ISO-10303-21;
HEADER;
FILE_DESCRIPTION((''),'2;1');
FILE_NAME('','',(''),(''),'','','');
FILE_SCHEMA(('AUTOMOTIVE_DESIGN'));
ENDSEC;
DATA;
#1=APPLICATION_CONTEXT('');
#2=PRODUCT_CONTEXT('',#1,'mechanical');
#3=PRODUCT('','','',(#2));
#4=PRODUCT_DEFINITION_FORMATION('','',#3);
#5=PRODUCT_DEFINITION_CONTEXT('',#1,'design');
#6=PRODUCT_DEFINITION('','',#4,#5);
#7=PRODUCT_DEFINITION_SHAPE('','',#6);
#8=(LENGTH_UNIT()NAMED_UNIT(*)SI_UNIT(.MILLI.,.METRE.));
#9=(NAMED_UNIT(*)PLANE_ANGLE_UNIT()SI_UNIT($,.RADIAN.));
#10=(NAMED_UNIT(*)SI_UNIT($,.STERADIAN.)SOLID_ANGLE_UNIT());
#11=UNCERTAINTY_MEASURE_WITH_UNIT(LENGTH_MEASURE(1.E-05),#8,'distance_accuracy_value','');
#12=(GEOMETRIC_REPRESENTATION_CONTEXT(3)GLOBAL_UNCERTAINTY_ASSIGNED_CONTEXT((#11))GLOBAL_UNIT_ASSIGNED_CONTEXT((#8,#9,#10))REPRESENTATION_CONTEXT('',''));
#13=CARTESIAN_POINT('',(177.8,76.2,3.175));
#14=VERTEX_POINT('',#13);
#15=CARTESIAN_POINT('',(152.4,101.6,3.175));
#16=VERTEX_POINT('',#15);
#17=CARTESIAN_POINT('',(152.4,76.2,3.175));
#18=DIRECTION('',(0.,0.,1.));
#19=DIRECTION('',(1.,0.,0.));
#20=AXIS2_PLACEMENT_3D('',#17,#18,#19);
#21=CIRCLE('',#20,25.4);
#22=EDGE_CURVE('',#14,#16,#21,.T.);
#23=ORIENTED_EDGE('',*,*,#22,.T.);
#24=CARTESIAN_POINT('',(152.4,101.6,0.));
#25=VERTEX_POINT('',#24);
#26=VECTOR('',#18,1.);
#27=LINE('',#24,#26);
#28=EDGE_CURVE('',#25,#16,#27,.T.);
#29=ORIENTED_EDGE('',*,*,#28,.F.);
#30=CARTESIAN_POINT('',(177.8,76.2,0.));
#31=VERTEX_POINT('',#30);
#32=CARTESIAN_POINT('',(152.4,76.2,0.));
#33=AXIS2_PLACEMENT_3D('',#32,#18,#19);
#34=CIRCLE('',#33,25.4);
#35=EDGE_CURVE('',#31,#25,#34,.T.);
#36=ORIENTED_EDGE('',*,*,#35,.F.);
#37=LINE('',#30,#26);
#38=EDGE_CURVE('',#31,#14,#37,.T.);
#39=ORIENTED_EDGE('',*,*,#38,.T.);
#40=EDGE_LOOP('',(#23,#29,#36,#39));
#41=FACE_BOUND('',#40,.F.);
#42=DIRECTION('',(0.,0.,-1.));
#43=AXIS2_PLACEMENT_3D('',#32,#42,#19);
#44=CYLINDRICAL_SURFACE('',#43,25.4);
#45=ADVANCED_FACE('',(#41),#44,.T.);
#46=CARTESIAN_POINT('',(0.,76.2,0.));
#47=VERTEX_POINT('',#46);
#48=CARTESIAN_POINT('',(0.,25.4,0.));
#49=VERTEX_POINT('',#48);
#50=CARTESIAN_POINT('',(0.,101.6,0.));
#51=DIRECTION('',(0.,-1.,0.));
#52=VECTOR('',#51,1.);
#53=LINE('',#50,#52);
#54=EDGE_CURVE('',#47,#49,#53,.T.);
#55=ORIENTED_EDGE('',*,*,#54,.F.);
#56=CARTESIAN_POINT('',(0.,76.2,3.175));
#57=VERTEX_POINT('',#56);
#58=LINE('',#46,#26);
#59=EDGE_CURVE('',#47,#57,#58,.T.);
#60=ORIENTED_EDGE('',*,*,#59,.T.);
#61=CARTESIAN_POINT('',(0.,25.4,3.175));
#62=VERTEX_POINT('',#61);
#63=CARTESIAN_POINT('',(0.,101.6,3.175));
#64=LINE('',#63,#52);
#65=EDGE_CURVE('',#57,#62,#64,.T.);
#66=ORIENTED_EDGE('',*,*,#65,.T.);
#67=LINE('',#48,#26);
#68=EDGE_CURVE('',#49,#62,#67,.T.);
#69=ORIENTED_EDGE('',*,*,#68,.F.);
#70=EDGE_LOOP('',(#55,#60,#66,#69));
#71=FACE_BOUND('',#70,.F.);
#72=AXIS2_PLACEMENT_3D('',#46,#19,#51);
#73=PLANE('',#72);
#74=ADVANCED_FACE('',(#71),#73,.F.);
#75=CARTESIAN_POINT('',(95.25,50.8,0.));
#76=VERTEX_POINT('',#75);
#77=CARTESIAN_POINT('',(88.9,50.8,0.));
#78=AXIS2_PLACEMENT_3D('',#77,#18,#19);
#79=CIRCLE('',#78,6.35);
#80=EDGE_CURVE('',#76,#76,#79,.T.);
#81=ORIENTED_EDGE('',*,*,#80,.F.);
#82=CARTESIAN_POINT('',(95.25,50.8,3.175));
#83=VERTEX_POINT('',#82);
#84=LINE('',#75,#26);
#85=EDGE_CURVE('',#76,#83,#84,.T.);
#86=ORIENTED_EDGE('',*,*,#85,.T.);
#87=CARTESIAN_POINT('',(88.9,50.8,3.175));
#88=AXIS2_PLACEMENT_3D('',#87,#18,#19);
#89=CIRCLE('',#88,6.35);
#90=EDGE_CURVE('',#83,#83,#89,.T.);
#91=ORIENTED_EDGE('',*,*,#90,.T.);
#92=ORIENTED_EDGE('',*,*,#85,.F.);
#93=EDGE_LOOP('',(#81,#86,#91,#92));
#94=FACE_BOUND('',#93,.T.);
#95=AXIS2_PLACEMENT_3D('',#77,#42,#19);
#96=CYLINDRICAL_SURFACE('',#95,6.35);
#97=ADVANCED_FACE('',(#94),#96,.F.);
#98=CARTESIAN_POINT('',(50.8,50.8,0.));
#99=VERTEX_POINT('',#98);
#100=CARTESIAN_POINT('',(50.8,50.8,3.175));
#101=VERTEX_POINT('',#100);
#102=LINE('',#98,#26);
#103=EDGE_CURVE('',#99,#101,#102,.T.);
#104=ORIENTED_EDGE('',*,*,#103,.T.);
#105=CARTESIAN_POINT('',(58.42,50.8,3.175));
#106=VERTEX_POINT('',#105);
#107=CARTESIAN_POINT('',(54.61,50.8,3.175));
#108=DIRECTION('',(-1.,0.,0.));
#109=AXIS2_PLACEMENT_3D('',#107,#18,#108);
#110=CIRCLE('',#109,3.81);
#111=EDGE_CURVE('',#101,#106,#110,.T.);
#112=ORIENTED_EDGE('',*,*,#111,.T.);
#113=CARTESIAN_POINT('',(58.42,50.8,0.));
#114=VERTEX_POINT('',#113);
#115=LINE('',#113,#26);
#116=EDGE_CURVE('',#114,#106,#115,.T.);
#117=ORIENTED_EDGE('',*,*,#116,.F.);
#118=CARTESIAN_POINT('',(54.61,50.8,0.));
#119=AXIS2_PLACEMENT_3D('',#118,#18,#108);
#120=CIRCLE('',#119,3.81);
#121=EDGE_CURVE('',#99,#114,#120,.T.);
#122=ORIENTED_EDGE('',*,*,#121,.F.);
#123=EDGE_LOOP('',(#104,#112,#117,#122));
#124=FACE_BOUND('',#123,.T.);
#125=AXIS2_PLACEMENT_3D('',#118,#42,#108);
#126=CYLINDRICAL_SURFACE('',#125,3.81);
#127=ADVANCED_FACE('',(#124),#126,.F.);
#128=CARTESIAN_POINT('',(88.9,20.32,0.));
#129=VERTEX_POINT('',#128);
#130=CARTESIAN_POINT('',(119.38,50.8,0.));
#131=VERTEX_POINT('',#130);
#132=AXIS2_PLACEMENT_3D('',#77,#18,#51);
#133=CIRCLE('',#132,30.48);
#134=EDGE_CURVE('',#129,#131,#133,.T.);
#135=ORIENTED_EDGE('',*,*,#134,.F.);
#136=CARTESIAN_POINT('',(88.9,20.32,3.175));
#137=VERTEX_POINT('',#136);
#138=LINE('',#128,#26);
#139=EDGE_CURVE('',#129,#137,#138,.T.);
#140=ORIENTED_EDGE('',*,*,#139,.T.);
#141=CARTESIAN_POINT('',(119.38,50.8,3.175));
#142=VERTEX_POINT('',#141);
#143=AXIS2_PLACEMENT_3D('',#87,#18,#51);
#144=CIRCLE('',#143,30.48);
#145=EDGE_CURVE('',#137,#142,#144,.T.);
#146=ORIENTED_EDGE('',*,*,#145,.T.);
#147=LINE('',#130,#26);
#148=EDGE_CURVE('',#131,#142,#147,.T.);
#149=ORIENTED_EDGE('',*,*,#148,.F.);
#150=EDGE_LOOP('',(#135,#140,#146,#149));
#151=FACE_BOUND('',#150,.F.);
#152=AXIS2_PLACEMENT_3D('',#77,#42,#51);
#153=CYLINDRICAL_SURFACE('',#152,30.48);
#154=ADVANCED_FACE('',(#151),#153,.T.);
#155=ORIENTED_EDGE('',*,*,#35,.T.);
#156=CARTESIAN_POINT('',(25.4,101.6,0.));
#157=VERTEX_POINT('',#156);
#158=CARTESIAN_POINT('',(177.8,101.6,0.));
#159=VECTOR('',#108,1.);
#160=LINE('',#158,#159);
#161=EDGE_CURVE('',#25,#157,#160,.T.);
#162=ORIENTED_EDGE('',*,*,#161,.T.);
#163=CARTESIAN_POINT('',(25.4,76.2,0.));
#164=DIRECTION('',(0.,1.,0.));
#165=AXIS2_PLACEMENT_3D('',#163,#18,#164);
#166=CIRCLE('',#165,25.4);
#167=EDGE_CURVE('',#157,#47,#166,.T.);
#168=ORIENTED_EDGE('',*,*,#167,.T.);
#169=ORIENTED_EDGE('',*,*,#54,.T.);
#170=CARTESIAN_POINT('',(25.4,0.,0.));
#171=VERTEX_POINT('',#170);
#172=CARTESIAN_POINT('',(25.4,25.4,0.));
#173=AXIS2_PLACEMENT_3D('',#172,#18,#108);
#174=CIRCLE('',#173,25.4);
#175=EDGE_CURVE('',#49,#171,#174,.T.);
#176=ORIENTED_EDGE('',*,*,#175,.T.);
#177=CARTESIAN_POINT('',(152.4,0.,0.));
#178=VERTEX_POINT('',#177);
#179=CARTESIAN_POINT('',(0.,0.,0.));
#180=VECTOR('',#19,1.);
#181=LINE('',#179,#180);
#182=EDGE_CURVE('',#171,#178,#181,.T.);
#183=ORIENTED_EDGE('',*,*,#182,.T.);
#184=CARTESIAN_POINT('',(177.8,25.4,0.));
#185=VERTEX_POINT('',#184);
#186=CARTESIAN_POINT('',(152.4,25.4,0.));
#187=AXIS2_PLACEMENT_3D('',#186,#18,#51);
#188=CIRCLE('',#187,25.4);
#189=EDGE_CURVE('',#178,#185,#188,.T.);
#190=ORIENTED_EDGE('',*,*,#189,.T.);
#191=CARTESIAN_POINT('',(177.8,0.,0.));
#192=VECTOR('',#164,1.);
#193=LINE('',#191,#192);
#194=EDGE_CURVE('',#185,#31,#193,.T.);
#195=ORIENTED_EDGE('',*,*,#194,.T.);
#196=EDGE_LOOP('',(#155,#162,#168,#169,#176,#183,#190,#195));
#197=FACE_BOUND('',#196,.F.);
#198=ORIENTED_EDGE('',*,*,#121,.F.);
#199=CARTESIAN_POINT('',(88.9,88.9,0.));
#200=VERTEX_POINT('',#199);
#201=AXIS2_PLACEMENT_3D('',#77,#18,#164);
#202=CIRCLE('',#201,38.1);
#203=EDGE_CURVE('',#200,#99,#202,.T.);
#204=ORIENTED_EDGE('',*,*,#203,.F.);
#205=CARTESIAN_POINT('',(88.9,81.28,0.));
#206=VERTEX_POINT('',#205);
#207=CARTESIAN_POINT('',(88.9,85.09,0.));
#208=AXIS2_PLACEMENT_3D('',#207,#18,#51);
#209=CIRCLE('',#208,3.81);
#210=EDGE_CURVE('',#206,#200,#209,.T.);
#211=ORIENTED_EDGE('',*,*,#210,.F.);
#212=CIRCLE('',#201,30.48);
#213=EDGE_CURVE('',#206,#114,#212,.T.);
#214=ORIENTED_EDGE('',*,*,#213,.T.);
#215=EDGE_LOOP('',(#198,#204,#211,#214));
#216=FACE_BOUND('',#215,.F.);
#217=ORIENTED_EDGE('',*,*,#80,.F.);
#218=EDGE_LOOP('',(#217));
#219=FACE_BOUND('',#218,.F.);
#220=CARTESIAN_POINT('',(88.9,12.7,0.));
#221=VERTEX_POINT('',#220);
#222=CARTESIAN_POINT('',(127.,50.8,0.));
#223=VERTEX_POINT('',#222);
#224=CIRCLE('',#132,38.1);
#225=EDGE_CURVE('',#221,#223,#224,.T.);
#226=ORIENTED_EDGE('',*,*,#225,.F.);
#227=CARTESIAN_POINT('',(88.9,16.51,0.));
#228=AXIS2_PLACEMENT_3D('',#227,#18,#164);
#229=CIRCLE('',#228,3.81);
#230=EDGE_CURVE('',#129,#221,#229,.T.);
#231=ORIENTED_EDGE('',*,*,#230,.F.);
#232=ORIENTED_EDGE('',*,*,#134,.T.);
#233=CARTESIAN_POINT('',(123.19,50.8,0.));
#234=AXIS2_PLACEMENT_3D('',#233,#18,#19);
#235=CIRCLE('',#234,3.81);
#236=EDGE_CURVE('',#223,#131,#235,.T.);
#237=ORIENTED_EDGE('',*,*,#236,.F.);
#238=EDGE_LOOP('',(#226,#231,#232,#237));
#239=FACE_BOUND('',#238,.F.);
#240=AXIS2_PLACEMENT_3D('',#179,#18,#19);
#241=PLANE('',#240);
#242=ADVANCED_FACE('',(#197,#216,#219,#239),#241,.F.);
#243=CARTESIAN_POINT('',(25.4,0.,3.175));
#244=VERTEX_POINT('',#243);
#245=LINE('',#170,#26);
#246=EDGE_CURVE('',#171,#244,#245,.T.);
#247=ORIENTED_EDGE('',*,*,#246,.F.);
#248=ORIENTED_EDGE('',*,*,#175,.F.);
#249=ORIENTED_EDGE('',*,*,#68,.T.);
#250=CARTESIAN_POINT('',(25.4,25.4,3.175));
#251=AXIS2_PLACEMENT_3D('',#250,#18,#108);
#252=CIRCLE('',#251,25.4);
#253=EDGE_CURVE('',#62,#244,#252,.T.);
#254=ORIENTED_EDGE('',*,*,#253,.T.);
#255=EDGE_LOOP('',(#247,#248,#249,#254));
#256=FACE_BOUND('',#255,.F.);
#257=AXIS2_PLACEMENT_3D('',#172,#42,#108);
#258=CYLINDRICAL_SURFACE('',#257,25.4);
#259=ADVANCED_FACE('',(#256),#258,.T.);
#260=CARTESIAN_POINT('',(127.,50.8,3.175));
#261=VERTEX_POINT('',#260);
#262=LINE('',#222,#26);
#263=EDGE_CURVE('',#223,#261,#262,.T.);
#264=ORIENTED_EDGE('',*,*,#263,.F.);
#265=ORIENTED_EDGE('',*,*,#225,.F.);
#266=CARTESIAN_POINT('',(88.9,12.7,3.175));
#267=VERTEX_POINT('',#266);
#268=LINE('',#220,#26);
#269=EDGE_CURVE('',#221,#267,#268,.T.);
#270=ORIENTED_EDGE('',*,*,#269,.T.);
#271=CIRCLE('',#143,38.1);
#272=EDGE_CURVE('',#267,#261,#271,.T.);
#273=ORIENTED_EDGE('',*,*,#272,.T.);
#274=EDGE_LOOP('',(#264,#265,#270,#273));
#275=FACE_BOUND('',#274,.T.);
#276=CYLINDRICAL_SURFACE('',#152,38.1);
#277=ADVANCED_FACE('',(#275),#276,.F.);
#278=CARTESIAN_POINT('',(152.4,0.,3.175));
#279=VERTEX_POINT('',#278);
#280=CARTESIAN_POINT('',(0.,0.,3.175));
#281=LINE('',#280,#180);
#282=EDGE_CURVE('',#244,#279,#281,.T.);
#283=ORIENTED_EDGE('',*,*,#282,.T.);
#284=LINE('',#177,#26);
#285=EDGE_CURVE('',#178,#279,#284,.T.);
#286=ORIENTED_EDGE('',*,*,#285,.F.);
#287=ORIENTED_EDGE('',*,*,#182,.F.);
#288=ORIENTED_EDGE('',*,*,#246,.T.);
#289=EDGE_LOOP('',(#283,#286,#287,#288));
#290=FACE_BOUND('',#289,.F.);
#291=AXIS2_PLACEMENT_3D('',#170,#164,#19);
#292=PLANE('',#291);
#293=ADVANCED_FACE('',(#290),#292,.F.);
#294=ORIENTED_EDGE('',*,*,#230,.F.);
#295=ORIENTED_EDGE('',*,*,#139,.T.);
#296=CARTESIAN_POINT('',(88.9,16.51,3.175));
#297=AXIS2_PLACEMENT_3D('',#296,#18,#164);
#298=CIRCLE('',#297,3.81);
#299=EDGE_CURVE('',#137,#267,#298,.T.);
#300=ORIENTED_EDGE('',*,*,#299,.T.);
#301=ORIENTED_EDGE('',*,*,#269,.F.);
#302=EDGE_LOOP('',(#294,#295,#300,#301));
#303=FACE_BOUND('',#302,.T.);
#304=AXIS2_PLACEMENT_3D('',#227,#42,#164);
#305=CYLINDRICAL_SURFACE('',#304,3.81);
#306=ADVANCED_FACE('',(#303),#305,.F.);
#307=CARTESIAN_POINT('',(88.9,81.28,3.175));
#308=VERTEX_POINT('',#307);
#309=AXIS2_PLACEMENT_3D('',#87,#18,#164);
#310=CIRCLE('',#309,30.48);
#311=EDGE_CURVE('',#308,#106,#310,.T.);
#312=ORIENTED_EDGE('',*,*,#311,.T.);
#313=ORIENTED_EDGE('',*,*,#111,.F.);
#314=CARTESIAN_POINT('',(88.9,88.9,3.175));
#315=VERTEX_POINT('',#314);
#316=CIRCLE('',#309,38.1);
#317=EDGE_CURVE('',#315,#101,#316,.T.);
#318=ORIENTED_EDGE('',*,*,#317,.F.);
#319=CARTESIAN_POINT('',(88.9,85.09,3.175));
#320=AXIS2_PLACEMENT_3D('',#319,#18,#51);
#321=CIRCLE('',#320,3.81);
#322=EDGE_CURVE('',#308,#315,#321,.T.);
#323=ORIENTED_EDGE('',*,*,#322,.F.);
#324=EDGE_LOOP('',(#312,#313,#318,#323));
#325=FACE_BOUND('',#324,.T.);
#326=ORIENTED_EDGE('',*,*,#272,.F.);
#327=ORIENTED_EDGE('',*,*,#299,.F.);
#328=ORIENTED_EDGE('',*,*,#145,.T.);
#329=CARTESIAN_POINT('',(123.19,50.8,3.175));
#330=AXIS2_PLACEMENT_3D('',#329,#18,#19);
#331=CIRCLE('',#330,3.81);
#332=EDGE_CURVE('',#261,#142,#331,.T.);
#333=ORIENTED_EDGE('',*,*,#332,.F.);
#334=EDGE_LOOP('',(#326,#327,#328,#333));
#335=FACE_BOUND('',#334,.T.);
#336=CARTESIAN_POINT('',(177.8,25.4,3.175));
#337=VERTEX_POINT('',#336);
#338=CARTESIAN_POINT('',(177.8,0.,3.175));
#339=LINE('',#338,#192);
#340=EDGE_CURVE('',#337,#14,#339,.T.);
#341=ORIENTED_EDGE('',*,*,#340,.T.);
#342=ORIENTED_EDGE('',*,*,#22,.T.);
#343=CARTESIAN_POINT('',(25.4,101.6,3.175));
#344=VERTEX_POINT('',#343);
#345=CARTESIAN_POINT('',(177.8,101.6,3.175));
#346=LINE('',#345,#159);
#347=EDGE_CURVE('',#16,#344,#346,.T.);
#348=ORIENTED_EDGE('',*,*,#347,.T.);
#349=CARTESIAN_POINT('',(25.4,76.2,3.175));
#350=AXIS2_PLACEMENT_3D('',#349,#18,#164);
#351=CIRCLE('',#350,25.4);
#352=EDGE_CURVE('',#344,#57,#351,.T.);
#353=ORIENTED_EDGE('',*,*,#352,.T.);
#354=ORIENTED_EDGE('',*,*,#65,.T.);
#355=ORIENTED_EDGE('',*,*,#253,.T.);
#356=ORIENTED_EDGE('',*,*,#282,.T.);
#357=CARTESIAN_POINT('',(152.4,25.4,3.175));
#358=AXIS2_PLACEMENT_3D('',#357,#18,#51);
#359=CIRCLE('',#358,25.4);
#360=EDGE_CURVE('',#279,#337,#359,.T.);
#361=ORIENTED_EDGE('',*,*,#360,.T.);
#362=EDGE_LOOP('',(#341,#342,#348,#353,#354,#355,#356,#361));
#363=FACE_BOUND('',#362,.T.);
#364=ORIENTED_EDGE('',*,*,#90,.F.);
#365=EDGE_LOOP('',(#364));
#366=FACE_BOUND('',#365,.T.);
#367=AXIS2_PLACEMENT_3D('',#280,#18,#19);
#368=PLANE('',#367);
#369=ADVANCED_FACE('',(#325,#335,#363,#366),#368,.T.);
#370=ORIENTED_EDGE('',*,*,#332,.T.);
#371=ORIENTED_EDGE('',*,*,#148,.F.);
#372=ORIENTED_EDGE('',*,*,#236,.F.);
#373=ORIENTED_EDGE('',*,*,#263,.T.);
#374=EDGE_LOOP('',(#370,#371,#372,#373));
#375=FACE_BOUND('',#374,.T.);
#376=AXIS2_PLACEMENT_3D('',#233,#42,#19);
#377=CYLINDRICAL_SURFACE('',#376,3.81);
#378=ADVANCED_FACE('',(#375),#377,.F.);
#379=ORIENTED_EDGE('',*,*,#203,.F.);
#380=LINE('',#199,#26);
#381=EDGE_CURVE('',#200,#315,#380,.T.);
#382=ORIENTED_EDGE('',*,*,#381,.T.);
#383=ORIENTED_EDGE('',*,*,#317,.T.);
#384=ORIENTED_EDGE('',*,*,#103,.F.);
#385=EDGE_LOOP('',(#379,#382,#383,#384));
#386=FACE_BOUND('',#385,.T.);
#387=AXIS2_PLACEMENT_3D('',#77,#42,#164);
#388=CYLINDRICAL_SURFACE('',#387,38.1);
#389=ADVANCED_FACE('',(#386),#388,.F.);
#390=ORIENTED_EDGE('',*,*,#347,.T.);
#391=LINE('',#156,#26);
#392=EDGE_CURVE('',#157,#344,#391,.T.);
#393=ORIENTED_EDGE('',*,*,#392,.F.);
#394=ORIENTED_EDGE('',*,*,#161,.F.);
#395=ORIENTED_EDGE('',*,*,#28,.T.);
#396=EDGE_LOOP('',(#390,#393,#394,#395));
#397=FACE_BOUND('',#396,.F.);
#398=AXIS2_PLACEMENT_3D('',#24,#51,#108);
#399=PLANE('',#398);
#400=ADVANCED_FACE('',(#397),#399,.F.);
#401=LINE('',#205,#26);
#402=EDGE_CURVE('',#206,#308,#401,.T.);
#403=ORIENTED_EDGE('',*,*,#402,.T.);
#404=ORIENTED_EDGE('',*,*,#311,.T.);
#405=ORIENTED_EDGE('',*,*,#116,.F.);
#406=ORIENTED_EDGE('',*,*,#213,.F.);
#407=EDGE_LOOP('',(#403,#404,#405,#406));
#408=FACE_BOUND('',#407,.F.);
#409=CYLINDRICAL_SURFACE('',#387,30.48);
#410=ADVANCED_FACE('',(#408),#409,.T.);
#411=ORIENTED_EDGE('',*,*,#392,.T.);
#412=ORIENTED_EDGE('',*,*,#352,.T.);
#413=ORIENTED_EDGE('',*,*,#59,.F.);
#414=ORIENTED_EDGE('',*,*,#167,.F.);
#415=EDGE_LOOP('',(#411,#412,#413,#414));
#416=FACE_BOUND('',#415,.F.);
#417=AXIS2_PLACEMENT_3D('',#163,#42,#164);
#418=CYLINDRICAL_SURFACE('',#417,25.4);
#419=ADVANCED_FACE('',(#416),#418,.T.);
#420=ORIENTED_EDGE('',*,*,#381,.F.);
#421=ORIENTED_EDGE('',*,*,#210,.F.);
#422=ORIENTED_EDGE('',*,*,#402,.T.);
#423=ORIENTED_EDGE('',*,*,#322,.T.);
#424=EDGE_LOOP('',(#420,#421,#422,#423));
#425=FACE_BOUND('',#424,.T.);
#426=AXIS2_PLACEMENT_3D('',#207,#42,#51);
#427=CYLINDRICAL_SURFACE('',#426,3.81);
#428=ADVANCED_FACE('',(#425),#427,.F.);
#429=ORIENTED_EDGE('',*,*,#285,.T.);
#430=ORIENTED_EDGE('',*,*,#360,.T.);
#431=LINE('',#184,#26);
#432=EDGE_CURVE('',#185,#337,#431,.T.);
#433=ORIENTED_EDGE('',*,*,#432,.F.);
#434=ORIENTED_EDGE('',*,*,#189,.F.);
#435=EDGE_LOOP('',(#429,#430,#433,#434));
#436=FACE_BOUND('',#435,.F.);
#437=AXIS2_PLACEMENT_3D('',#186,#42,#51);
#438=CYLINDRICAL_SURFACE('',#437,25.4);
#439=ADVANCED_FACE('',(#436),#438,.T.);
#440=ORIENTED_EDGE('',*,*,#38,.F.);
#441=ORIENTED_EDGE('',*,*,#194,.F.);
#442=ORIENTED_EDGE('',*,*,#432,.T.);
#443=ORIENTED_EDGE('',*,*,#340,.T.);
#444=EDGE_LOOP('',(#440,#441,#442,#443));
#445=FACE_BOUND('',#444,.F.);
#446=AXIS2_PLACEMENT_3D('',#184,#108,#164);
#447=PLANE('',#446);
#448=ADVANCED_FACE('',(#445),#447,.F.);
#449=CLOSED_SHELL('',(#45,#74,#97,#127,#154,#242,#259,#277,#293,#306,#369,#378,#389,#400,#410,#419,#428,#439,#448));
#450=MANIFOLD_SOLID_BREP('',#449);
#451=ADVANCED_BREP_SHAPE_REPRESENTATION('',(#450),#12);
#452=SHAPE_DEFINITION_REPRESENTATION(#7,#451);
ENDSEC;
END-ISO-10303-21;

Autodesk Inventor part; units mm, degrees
ref_plane "YZ Plane" through (0, 0, 0) normal (1, 0, 0) x (0, 1, 0)
ref_plane "XZ Plane" through (0, 0, 0) normal (0, 1, 0) x (-1, 0, 0)
ref_plane "XY Plane" through (0, 0, 0) normal (0, 0, 1) x (1, 0, 0)
sketch "Sketch1" plane through (0, 0, 0) normal (0, 0, 1) x (1, 0, 0)
  line L0 (0, 0) -> (177.8, 0)
  line L1 (177.8, 0) -> (177.8, 101.6)
  line L2 (177.8, 101.6) -> (0, 101.6)
  line L3 (0, 101.6) -> (0, 0)
  arc A0 (25.4, 101.6) -> (0, 76.2) centre (25.4, 76.2) ccw
  arc A1 (177.8, 76.2) -> (152.4, 101.6) centre (152.4, 76.2) ccw
  arc A2 (152.4, 0) -> (177.8, 25.4) centre (152.4, 25.4) ccw
  arc A3 (0, 25.4) -> (25.4, 0) centre (25.4, 25.4) ccw
  circle A4 centre (88.9, 50.8) radius 6.35
  arc A5 (88.9, 85.09) -> (54.61, 50.8) centre (88.9, 50.8) ccw construction
  arc A6 (88.9, 88.9) -> (50.8, 50.8) centre (88.9, 50.8) ccw
  arc A7 (88.9, 81.28) -> (58.42, 50.8) centre (88.9, 50.8) ccw
  arc A8 (88.9, 81.28) -> (88.9, 88.9) centre (88.9, 85.09) ccw
  arc A9 (50.8, 50.8) -> (58.42, 50.8) centre (54.61, 50.8) ccw
  line L4 (88.9, 50.8) -> (54.61, 50.8) construction
  line L5 (88.9, 50.8) -> (88.9, 85.09) construction
  arc A10 (88.9, 20.32) -> (119.38, 50.8) centre (88.9, 50.8) ccw
  line L6 (88.9, 50.8) -> (123.19, 50.8) construction
  arc A11 (88.9, 16.51) -> (123.19, 50.8) centre (88.9, 50.8) ccw construction
  arc A12 (127, 50.8) -> (119.38, 50.8) centre (123.19, 50.8) ccw
  arc A13 (88.9, 12.7) -> (127, 50.8) centre (88.9, 50.8) ccw
  arc A14 (88.9, 20.32) -> (88.9, 12.7) centre (88.9, 16.51) ccw
  point P0 (0, 0)
  dimension "d2" = 177.8
  dimension "d3" = 101.6
  dimension "d4" = 50.8
  dimension "d5" = 50.8
  dimension "d6" = 50.8
  dimension "d7" = 50.8
  dimension "d8" = 12.7
  dimension "d9" = 50.8
  dimension "d10" = 88.9
  dimension "d11" = 34.29
  dimension "d12" = 90
  dimension "d13" = 7.62
  dimension "d14" = 360
  dimension "d15" = 0
  dimension "d16" = 0
extrude "Extrusion1" add sketch "Sketch1" along normal blind 3.175 contours A3 L3 A0 L2 A1 L1 A2 L0
properties part number "Front_plate"
